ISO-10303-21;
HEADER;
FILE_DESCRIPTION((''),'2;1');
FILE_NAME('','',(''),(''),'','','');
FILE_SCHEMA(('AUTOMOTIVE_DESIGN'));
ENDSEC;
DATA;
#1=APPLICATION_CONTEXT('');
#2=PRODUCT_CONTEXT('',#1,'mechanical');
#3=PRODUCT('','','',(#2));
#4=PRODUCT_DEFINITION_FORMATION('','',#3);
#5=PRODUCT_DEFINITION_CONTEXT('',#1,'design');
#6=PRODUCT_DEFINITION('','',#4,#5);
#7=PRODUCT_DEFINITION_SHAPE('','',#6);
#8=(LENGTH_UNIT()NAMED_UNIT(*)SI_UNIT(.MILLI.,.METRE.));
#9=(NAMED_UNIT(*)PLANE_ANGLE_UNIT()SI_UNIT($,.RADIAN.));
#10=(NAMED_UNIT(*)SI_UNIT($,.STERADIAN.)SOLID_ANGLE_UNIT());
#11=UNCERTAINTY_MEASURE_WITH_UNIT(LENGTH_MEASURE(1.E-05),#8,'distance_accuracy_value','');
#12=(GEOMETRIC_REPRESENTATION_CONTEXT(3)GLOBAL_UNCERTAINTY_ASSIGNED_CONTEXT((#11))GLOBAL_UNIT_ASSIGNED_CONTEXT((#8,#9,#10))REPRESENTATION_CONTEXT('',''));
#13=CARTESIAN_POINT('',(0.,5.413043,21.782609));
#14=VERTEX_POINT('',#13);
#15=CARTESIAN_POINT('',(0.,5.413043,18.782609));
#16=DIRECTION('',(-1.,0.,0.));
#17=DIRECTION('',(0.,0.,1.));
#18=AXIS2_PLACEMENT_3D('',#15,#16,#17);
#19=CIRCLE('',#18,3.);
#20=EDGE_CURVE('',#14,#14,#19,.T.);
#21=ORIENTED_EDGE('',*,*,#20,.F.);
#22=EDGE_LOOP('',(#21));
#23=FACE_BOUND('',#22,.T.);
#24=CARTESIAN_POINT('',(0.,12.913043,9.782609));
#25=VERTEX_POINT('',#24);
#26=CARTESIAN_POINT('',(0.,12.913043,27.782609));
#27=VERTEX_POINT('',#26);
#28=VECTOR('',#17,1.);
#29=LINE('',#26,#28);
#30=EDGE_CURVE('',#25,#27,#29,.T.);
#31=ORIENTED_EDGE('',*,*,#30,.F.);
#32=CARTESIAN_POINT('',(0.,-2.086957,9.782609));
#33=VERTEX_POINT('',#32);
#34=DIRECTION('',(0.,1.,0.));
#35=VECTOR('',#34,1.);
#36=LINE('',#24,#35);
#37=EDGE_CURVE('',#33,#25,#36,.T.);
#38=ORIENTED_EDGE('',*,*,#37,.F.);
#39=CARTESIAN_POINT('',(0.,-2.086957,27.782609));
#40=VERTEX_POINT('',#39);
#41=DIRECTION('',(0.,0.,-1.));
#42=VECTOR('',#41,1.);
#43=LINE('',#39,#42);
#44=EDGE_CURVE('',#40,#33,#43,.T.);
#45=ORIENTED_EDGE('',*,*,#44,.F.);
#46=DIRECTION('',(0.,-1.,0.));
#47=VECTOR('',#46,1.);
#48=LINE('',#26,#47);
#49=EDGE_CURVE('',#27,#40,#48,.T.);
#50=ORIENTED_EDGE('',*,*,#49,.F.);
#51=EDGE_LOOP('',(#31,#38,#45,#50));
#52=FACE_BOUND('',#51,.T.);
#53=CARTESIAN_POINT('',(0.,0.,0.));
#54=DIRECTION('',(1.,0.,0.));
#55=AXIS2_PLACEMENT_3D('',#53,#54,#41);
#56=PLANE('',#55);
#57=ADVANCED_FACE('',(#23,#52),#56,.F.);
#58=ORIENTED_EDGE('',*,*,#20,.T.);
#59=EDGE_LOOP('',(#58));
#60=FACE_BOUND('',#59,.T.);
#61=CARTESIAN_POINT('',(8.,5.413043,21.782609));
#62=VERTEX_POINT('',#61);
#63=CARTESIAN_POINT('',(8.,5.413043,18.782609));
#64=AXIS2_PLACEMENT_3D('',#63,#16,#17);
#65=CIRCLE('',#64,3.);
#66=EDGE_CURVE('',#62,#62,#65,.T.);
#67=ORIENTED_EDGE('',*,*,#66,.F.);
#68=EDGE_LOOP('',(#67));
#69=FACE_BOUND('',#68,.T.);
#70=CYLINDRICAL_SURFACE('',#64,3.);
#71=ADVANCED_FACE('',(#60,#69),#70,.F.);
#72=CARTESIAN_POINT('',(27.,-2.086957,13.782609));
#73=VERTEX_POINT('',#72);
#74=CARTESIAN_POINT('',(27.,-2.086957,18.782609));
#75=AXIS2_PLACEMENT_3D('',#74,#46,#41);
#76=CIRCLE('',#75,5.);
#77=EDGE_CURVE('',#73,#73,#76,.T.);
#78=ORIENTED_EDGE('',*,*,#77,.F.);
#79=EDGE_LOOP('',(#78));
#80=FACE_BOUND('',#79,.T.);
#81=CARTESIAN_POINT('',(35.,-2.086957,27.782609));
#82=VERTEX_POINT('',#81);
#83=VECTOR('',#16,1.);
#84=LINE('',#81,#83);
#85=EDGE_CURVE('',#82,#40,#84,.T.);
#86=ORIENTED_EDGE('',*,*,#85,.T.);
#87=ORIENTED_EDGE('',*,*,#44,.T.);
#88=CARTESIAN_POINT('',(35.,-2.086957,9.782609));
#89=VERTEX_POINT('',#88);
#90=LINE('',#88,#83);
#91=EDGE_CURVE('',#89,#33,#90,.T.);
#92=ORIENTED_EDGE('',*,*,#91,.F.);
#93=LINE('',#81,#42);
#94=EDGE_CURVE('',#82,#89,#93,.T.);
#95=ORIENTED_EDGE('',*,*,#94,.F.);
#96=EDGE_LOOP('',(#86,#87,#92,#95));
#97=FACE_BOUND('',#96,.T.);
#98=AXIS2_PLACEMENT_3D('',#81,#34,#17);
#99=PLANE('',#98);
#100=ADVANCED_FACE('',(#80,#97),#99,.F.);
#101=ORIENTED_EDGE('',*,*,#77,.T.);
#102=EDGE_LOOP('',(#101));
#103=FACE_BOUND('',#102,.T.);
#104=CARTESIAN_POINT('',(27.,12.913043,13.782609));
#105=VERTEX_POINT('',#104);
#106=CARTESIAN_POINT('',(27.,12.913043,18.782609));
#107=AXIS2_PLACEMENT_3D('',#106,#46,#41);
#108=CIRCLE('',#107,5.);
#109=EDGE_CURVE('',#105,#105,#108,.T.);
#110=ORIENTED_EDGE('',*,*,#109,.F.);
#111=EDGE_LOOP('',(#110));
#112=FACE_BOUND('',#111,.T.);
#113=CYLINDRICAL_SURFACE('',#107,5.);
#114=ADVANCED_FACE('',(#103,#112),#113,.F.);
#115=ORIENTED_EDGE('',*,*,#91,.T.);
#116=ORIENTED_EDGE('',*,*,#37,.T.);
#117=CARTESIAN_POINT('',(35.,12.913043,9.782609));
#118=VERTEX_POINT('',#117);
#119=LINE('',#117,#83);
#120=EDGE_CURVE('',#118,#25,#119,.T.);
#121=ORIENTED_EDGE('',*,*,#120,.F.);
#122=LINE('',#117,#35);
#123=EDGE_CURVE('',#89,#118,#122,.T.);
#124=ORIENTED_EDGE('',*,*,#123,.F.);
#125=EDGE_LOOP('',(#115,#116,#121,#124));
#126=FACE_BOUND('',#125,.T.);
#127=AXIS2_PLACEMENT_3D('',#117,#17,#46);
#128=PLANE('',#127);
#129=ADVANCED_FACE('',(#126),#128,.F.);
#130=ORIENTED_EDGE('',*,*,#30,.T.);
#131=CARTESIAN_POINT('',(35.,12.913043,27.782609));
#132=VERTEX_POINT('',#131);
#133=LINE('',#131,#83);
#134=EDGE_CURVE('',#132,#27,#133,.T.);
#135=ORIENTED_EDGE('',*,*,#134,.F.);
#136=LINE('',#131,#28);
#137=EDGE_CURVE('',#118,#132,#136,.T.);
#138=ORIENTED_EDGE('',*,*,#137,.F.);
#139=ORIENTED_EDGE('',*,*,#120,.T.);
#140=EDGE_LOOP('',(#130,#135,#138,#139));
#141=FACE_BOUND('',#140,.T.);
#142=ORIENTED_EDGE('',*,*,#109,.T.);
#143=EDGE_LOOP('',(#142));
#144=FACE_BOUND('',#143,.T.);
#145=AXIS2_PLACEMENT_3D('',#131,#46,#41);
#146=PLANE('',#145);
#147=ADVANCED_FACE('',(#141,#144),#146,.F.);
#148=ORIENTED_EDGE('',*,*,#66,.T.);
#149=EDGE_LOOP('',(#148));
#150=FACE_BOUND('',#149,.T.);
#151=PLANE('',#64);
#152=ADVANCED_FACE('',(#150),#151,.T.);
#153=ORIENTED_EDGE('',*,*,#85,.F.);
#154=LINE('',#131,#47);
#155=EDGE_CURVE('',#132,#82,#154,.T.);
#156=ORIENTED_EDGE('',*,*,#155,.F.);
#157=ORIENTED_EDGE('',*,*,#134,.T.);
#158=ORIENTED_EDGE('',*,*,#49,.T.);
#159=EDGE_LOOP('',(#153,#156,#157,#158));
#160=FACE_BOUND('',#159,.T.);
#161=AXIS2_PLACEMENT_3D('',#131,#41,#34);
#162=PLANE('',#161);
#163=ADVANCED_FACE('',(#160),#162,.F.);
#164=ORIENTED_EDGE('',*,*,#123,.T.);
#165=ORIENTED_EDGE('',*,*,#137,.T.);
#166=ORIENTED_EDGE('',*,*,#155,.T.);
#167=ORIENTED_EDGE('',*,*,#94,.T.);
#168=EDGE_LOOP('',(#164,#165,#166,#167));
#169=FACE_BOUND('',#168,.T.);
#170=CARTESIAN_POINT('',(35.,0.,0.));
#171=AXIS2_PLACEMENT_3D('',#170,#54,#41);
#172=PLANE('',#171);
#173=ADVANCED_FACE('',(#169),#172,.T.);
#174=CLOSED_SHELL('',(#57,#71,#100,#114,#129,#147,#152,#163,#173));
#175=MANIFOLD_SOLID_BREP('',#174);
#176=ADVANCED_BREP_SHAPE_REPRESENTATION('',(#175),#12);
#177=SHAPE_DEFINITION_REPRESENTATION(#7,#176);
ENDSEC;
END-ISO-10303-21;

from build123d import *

# Parameters (mm, degrees)
SKETCH1_W           = 18
SKETCH1_H           = 15
BOSS_EXTRUDE1_DEPTH = 35
SKETCH2_R           = 5
CUT_EXTRUDE1_DEPTH  = 16
SKETCH3_R           = 3
CUT_EXTRUDE2_DEPTH  = 8


with BuildPart() as part:
    # Sketch1 → Boss-Extrude1 (new body)
    with BuildSketch(Plane(origin=(0, 0, 0), x_dir=(0, 0, -1), z_dir=(1, 0, 0))):
        with Locations((-18.782608696, 5.413043478)):
            Rectangle(SKETCH1_W, SKETCH1_H)
    extrude(amount=BOSS_EXTRUDE1_DEPTH)

    # Sketch2 → Cut-Extrude1 (cut, through all)
    with BuildSketch(Plane(origin=(0, -2.086956522, 0), x_dir=(-1, 0, 0), z_dir=(0, -1, 0))):
        with Locations((-27, -18.782608696)):
            Circle(SKETCH2_R)
    extrude(amount=-CUT_EXTRUDE1_DEPTH, mode=Mode.SUBTRACT)

    # Sketch3 → Cut-Extrude2 (cut)
    with BuildSketch(Plane.ZY):
        with Locations((18.782608696, 5.413043478)):
            Circle(SKETCH3_R)
    extrude(amount=-CUT_EXTRUDE2_DEPTH, mode=Mode.SUBTRACT)


solid = part.part
